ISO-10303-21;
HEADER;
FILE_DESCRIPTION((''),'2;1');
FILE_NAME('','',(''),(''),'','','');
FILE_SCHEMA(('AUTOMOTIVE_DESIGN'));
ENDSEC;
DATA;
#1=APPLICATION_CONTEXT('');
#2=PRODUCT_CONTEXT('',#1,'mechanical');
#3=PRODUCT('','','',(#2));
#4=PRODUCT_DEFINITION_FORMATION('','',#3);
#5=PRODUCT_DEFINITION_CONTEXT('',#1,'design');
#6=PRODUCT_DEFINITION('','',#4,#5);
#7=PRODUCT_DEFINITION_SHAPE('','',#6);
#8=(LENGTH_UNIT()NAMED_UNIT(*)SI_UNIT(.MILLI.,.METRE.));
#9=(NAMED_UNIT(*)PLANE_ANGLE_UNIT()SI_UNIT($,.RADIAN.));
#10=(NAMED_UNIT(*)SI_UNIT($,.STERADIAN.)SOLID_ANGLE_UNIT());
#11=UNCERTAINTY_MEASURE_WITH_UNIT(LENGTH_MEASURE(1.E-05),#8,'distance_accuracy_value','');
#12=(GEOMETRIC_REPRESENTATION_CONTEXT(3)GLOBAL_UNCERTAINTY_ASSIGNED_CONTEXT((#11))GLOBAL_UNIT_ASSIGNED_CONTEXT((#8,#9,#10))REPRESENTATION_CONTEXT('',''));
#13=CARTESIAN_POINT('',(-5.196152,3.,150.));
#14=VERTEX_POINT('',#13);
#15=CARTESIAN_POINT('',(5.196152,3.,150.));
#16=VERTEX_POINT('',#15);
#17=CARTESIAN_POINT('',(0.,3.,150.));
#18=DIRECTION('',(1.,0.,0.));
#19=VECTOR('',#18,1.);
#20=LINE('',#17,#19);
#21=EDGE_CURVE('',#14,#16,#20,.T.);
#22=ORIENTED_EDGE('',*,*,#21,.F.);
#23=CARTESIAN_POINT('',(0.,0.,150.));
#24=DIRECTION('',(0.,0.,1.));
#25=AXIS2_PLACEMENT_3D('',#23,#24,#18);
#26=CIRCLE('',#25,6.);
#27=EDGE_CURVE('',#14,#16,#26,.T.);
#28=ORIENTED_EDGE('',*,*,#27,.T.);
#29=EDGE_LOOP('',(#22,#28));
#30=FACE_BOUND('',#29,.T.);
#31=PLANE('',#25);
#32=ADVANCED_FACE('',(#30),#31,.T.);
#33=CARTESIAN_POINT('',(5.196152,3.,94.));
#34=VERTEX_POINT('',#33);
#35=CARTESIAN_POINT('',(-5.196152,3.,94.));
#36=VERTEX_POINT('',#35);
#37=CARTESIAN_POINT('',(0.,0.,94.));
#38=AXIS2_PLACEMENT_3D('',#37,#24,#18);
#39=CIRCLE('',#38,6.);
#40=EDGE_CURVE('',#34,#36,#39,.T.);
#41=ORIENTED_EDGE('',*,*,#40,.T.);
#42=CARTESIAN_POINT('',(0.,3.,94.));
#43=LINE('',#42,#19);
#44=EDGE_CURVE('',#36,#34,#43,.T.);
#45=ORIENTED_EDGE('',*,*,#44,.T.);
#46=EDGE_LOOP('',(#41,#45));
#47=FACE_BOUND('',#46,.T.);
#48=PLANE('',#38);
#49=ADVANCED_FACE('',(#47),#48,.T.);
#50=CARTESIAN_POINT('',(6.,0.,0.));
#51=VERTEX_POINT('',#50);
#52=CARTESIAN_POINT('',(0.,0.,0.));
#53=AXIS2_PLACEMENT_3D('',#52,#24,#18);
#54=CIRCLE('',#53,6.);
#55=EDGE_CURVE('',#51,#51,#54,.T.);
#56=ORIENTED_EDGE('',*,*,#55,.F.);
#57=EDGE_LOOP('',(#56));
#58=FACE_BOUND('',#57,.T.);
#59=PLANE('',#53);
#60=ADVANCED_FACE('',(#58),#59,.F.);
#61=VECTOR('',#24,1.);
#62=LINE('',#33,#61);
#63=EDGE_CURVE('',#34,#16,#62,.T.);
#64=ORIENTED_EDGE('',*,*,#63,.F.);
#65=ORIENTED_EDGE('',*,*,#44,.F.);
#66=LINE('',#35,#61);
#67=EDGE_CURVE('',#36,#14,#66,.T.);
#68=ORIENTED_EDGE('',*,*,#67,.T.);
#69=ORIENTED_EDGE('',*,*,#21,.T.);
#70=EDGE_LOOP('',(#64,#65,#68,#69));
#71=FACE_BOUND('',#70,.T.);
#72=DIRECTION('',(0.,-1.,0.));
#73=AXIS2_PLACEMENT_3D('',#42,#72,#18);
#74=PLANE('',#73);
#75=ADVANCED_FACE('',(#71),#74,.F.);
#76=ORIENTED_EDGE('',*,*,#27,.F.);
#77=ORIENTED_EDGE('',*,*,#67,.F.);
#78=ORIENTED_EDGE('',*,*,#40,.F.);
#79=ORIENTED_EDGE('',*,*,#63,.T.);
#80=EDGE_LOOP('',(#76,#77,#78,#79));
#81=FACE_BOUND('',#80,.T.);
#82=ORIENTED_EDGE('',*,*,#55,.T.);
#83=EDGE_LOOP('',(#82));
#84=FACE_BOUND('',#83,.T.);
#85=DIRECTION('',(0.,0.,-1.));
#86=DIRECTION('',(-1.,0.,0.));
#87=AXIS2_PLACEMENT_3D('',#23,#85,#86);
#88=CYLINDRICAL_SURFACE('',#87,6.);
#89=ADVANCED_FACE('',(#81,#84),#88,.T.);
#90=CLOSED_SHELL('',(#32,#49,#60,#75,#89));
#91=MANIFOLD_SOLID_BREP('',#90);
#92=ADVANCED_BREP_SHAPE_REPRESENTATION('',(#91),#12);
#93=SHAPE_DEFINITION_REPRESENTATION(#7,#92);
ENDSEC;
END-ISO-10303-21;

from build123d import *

# Parameters (mm, degrees)
SKETCH2_R           = 6
BOSS_EXTRUDE1_DEPTH = 150
CUT_EXTRUDE1_DEPTH  = 56


with BuildPart() as part:
    # Sketch2 → Boss-Extrude1 (new body)
    with BuildSketch(Plane.XY):
        Circle(SKETCH2_R)
    extrude(amount=BOSS_EXTRUDE1_DEPTH)

    # Sketch3 → Cut-Extrude1 (cut)
    with BuildSketch(Plane.XY.offset(150)):
        with BuildLine():
            ThreePointArc((5.196152423, 3), (0, 6), (-5.196152423, 3))
            Line((-5.196152423, 3), (5.196152423, 3))
        make_face()
    extrude(amount=-CUT_EXTRUDE1_DEPTH, mode=Mode.SUBTRACT)


solid = part.part
